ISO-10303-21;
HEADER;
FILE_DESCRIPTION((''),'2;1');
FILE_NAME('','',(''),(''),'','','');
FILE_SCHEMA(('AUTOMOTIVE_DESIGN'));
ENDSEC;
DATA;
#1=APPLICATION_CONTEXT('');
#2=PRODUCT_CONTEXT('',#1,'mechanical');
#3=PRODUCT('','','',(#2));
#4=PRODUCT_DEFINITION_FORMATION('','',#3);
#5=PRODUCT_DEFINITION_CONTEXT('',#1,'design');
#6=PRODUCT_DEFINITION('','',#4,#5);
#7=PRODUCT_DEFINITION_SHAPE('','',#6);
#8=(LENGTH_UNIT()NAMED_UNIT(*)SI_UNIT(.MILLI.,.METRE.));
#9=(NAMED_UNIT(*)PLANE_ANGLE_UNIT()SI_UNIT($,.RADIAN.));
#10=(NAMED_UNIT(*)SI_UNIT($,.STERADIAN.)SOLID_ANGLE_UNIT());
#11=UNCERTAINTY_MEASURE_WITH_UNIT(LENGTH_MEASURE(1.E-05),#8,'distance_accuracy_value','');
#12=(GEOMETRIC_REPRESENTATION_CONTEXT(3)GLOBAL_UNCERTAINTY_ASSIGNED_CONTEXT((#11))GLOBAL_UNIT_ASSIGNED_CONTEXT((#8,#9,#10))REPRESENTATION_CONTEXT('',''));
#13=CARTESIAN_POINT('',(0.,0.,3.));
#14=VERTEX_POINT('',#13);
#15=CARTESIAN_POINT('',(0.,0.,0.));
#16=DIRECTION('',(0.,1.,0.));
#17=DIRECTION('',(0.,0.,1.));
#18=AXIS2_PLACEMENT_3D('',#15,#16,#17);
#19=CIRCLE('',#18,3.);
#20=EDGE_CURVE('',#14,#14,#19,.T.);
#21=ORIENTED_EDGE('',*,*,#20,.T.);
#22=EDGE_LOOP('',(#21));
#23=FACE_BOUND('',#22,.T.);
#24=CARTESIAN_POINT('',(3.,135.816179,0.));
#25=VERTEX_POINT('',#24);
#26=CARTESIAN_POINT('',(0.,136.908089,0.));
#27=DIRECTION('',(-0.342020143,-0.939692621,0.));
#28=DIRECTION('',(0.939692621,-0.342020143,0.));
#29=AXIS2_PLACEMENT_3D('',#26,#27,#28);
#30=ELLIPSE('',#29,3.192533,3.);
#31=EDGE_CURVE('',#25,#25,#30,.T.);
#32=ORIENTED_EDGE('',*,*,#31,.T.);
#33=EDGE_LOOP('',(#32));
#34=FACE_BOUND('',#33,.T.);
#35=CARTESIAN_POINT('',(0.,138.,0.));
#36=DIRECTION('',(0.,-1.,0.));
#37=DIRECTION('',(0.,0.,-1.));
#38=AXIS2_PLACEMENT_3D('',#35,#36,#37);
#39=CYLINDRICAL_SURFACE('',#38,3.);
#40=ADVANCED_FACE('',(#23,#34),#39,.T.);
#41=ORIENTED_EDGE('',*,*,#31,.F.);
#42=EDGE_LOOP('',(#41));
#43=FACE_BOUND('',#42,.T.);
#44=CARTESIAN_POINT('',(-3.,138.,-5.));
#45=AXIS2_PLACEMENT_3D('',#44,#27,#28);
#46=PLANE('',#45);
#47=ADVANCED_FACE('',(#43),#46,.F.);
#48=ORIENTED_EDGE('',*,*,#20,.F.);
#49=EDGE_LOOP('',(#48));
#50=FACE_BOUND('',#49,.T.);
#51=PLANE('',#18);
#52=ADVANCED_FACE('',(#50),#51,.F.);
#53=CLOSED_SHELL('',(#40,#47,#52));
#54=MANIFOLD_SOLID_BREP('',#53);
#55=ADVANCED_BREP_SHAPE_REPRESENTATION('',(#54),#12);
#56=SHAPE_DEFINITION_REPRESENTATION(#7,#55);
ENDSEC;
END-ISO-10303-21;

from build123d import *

# Parameters (mm, degrees)
SKETCH_1_R          = 3
EXTRUDE_1_DEPTH     = 138
CUT_EXTRUDE_2_DEPTH = 5


with BuildPart() as part:
    # 草圖1 → 填料-伸長1 (new body)
    with BuildSketch(Plane(origin=(0, 0, 0), x_dir=(1, 0, 0), z_dir=(0, 1, 0))):
        with Locations(Location((0, 0, 0), (0, 0, 270))):
            Circle(SKETCH_1_R)
    extrude(amount=EXTRUDE_1_DEPTH)

    # 草圖3 → 除料-伸長2 (cut, symmetric)
    with BuildSketch(Plane.XY):
        Polygon((-3, 138), (3, 135.816178594), (3, 138), align=None)
    extrude(amount=CUT_EXTRUDE_2_DEPTH, both=True, mode=Mode.SUBTRACT)


solid = part.part
